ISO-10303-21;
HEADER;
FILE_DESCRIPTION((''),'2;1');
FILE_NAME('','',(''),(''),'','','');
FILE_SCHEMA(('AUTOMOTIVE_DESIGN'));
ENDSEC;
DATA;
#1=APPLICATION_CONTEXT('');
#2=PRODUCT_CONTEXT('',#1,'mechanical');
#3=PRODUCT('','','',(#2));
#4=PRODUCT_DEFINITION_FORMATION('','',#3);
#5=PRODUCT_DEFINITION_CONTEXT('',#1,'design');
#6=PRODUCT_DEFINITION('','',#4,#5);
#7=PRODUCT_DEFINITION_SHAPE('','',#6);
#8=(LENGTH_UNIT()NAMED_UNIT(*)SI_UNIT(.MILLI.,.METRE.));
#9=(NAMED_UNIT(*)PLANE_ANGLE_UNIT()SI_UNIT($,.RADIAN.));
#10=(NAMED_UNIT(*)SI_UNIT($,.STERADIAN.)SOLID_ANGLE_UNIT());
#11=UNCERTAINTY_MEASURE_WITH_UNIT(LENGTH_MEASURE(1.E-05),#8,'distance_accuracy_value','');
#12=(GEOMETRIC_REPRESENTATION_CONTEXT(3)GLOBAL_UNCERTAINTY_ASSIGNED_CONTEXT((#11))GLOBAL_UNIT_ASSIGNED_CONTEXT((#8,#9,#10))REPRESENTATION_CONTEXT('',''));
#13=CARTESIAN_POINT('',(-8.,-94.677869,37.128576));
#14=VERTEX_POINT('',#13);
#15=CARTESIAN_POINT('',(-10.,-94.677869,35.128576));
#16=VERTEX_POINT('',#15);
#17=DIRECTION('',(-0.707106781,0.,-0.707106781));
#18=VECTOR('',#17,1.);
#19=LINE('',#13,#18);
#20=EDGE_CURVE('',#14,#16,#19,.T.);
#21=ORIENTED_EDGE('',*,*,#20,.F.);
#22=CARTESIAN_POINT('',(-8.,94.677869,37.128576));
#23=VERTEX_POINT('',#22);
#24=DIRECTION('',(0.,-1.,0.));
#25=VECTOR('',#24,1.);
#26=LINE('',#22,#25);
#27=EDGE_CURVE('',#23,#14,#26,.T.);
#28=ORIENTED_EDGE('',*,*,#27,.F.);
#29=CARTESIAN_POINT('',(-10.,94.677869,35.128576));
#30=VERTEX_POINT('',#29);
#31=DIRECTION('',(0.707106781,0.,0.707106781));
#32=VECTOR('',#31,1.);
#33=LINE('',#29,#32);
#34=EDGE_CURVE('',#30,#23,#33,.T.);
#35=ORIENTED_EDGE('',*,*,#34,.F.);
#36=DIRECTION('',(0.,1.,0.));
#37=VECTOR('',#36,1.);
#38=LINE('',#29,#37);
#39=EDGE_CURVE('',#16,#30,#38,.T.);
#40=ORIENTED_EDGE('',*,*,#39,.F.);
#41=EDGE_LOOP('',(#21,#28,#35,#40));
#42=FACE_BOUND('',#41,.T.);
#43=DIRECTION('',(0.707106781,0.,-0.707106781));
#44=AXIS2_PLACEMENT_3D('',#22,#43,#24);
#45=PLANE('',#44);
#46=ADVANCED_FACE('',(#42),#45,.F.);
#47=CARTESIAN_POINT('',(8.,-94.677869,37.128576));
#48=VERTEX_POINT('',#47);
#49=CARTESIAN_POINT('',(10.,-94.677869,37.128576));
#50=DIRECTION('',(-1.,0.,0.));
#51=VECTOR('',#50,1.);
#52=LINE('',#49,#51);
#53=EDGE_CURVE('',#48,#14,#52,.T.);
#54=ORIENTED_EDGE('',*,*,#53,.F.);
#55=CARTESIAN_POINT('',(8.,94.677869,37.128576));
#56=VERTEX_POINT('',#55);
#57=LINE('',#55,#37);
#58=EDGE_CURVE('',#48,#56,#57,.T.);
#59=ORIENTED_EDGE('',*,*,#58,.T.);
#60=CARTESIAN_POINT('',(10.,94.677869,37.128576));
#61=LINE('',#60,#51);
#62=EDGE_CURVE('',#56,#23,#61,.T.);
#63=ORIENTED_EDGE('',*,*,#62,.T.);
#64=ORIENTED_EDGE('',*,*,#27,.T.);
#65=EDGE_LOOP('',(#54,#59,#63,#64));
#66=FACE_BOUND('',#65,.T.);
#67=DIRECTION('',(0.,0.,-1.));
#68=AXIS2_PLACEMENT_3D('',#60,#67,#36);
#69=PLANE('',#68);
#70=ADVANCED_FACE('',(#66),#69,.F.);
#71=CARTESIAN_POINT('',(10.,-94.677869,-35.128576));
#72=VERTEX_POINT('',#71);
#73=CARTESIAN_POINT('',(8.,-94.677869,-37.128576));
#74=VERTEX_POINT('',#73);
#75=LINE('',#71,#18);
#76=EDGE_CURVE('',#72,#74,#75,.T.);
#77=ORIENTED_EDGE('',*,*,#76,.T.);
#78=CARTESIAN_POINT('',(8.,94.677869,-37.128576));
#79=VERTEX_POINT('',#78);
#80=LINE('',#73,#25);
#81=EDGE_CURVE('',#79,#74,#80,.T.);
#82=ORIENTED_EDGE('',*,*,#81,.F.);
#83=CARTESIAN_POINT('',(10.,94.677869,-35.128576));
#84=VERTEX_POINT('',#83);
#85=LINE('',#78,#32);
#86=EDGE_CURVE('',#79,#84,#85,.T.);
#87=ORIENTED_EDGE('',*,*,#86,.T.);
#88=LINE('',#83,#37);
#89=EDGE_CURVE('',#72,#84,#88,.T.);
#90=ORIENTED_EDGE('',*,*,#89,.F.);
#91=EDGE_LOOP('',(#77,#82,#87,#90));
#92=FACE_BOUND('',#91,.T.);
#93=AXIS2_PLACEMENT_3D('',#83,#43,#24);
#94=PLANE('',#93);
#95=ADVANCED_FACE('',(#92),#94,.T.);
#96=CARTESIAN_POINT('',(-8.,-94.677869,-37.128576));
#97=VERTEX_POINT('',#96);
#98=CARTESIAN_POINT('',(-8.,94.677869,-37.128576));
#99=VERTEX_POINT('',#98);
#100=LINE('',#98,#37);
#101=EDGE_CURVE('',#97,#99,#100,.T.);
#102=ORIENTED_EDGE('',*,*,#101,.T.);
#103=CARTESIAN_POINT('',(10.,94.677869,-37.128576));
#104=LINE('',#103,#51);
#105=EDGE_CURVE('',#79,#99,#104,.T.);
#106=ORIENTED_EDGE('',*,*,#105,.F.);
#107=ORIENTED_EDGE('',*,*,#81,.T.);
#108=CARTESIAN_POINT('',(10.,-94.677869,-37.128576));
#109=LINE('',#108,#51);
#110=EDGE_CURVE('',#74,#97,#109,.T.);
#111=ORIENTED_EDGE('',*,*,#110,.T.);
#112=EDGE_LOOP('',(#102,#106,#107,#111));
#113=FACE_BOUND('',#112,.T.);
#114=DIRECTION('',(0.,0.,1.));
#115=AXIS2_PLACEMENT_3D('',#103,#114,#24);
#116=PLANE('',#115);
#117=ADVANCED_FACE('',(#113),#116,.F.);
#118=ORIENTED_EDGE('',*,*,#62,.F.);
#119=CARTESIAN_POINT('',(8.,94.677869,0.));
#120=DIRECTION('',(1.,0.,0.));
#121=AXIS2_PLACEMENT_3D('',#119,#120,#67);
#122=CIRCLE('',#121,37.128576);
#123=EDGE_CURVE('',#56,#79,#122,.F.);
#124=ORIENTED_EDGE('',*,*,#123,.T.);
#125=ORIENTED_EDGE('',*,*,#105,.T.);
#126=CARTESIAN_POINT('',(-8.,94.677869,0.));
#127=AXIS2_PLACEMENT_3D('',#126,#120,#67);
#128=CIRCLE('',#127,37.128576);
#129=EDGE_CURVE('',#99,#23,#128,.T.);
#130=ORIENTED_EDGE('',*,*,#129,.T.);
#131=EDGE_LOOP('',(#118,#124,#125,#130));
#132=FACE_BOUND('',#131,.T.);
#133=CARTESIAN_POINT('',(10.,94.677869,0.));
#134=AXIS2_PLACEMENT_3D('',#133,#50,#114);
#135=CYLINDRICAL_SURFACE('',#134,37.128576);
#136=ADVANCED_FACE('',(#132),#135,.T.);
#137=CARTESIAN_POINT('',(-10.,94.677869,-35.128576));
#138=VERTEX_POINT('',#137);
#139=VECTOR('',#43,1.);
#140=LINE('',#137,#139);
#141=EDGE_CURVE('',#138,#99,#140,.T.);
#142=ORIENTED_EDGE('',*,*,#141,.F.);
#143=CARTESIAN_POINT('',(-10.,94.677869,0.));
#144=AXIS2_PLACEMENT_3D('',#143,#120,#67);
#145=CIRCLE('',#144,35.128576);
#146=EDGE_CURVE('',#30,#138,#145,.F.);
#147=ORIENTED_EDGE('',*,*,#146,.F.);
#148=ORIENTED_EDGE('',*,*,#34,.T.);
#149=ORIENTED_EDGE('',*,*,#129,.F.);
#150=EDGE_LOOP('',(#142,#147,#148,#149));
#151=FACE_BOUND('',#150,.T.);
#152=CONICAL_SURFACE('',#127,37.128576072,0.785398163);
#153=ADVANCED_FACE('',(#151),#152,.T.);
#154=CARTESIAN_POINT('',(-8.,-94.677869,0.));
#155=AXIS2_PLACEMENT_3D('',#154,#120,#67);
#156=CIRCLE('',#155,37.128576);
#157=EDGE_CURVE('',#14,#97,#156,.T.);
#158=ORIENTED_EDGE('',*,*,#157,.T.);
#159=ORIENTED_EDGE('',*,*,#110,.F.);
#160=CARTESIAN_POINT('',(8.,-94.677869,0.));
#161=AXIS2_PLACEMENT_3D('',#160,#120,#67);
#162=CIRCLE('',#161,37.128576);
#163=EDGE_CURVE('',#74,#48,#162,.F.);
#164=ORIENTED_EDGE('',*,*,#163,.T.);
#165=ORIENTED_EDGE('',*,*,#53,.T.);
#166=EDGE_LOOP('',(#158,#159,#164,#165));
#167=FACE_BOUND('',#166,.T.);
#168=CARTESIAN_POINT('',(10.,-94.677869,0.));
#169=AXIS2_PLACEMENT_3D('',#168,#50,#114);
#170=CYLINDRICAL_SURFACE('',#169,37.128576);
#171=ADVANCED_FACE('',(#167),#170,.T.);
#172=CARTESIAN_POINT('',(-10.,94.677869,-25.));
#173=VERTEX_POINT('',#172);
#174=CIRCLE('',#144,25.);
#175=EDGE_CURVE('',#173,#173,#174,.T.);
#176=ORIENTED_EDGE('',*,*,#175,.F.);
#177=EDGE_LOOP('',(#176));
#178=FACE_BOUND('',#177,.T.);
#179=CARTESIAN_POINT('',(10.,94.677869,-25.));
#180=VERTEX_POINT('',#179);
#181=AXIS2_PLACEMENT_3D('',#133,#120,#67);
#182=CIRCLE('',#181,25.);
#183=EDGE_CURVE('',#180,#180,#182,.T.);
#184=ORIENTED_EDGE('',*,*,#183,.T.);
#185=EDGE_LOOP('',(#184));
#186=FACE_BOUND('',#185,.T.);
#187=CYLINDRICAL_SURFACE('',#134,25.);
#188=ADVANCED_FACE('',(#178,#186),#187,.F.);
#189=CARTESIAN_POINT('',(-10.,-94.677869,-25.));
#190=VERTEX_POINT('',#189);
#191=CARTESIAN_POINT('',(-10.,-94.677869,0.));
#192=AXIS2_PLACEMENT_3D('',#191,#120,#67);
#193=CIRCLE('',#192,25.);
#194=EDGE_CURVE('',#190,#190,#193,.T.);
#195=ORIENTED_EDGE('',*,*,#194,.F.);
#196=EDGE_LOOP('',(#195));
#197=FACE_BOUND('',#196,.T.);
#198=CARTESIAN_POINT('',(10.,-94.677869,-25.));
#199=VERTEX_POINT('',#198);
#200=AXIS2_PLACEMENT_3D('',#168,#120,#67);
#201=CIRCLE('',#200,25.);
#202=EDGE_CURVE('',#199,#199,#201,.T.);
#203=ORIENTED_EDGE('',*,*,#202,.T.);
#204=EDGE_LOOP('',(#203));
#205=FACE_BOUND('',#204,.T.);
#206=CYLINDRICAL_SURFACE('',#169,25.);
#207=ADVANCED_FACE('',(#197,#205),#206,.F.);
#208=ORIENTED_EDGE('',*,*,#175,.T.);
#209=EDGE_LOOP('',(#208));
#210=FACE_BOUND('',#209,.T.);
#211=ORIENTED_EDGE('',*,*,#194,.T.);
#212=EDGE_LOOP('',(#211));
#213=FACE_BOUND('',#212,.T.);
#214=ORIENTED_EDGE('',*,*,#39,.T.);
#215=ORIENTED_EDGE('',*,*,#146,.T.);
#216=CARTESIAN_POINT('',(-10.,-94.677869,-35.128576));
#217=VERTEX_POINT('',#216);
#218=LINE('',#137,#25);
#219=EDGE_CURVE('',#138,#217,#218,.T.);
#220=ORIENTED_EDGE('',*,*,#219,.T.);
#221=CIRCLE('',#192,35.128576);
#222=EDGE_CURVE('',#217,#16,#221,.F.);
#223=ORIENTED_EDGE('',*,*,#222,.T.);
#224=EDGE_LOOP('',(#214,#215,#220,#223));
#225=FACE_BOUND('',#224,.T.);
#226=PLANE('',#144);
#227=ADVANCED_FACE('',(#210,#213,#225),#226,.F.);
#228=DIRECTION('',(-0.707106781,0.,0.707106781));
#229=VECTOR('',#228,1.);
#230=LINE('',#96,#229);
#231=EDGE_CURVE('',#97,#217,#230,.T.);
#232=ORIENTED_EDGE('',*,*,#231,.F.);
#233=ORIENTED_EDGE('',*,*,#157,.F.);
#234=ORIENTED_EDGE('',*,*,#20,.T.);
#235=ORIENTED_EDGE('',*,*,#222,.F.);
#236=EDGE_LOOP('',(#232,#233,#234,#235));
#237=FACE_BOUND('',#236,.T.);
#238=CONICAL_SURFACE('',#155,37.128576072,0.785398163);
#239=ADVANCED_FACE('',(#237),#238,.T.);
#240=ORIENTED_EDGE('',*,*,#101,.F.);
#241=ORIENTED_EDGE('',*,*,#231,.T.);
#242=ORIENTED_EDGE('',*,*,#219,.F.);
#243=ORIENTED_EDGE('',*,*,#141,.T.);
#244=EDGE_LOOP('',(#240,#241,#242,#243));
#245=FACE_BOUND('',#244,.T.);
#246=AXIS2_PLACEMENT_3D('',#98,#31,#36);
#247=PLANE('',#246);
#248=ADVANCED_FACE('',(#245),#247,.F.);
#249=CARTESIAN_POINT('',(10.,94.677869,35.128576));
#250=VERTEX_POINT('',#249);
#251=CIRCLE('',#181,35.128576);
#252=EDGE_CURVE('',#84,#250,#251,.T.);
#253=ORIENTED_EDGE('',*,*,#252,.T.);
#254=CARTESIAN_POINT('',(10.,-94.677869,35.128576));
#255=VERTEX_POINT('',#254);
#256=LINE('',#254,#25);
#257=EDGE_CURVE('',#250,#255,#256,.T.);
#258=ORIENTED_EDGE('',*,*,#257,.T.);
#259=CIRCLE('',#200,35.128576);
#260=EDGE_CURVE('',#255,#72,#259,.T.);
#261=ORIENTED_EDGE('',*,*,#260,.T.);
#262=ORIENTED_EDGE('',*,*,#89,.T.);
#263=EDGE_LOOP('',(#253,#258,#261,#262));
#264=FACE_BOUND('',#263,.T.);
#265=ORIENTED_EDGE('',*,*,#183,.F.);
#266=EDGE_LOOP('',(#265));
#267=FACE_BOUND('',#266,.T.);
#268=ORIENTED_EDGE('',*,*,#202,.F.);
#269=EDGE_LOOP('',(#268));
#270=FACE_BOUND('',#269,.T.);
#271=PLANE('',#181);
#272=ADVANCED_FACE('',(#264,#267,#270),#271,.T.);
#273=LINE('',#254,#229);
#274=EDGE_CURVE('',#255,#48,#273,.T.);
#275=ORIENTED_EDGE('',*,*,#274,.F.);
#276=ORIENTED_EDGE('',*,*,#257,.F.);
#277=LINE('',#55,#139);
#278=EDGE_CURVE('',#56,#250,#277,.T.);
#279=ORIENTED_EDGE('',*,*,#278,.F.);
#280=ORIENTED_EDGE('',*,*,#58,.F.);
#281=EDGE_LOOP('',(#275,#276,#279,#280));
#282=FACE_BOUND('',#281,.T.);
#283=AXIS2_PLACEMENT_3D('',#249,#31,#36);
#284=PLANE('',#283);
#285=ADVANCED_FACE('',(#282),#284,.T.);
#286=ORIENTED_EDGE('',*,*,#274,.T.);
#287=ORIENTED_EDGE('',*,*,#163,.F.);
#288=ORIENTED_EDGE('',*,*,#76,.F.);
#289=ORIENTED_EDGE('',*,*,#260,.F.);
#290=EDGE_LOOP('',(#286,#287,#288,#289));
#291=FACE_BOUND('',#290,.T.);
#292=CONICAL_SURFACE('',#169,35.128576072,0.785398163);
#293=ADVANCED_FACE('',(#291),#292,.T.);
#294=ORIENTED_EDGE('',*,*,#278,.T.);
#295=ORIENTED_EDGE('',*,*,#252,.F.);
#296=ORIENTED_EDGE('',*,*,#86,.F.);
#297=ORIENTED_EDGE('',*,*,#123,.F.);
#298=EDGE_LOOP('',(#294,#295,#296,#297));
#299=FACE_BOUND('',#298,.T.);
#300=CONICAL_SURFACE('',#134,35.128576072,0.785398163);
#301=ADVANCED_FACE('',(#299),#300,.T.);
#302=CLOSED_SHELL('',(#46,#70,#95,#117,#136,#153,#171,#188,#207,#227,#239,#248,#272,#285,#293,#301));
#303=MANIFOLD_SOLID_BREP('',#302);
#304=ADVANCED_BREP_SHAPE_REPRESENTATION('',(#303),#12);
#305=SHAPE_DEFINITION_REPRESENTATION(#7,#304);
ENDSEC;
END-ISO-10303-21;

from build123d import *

# Parameters (mm, degrees)
SKETCH1_R           = 25
BOSS_EXTRUDE1_DEPTH = 10
CHAMFER1_SIZE       = 2


with BuildPart() as part:
    # Sketch1 → Boss-Extrude1 (new, symmetric)
    with BuildSketch(Plane.YZ):
        with BuildLine():
            Line((94.677868983, -37.128576072), (-94.677868983, -37.128576072))
            ThreePointArc((-94.677868983, -37.128576072), (-131.806445055, 0), (-94.677868983, 37.128576072))
            Line((-94.677868983, 37.128576072), (94.677868983, 37.128576072))
            ThreePointArc((94.677868983, 37.128576072), (131.806445055, 0), (94.677868983, -37.128576072))
        make_face()
        with Locations(Location((-94.677868983, 0, 0), (0, 0, 270))):
            Circle(SKETCH1_R, mode=Mode.SUBTRACT)
        with Locations(Location((94.677868983, 0, 0), (0, 0, 270))):
            Circle(SKETCH1_R, mode=Mode.SUBTRACT)
    extrude(amount=BOSS_EXTRUDE1_DEPTH, both=True)

    # Chamfer1
    chamfer1_edges = [part.edges().sort_by_distance(p)[0] for p in [
        (10, -131.806445055, 0),
        (10, 0, -37.128576072),
        (10, 131.806445055, 0),
        (-10, 0, -37.128576072),
        (-10, -131.806445055, 0),
        (-10, 0, 37.128576072),
        (-10, 131.806445055, 0),
        (10, 0, 37.128576072),
    ]]
    chamfer(chamfer1_edges, length=CHAMFER1_SIZE)


solid = part.part
